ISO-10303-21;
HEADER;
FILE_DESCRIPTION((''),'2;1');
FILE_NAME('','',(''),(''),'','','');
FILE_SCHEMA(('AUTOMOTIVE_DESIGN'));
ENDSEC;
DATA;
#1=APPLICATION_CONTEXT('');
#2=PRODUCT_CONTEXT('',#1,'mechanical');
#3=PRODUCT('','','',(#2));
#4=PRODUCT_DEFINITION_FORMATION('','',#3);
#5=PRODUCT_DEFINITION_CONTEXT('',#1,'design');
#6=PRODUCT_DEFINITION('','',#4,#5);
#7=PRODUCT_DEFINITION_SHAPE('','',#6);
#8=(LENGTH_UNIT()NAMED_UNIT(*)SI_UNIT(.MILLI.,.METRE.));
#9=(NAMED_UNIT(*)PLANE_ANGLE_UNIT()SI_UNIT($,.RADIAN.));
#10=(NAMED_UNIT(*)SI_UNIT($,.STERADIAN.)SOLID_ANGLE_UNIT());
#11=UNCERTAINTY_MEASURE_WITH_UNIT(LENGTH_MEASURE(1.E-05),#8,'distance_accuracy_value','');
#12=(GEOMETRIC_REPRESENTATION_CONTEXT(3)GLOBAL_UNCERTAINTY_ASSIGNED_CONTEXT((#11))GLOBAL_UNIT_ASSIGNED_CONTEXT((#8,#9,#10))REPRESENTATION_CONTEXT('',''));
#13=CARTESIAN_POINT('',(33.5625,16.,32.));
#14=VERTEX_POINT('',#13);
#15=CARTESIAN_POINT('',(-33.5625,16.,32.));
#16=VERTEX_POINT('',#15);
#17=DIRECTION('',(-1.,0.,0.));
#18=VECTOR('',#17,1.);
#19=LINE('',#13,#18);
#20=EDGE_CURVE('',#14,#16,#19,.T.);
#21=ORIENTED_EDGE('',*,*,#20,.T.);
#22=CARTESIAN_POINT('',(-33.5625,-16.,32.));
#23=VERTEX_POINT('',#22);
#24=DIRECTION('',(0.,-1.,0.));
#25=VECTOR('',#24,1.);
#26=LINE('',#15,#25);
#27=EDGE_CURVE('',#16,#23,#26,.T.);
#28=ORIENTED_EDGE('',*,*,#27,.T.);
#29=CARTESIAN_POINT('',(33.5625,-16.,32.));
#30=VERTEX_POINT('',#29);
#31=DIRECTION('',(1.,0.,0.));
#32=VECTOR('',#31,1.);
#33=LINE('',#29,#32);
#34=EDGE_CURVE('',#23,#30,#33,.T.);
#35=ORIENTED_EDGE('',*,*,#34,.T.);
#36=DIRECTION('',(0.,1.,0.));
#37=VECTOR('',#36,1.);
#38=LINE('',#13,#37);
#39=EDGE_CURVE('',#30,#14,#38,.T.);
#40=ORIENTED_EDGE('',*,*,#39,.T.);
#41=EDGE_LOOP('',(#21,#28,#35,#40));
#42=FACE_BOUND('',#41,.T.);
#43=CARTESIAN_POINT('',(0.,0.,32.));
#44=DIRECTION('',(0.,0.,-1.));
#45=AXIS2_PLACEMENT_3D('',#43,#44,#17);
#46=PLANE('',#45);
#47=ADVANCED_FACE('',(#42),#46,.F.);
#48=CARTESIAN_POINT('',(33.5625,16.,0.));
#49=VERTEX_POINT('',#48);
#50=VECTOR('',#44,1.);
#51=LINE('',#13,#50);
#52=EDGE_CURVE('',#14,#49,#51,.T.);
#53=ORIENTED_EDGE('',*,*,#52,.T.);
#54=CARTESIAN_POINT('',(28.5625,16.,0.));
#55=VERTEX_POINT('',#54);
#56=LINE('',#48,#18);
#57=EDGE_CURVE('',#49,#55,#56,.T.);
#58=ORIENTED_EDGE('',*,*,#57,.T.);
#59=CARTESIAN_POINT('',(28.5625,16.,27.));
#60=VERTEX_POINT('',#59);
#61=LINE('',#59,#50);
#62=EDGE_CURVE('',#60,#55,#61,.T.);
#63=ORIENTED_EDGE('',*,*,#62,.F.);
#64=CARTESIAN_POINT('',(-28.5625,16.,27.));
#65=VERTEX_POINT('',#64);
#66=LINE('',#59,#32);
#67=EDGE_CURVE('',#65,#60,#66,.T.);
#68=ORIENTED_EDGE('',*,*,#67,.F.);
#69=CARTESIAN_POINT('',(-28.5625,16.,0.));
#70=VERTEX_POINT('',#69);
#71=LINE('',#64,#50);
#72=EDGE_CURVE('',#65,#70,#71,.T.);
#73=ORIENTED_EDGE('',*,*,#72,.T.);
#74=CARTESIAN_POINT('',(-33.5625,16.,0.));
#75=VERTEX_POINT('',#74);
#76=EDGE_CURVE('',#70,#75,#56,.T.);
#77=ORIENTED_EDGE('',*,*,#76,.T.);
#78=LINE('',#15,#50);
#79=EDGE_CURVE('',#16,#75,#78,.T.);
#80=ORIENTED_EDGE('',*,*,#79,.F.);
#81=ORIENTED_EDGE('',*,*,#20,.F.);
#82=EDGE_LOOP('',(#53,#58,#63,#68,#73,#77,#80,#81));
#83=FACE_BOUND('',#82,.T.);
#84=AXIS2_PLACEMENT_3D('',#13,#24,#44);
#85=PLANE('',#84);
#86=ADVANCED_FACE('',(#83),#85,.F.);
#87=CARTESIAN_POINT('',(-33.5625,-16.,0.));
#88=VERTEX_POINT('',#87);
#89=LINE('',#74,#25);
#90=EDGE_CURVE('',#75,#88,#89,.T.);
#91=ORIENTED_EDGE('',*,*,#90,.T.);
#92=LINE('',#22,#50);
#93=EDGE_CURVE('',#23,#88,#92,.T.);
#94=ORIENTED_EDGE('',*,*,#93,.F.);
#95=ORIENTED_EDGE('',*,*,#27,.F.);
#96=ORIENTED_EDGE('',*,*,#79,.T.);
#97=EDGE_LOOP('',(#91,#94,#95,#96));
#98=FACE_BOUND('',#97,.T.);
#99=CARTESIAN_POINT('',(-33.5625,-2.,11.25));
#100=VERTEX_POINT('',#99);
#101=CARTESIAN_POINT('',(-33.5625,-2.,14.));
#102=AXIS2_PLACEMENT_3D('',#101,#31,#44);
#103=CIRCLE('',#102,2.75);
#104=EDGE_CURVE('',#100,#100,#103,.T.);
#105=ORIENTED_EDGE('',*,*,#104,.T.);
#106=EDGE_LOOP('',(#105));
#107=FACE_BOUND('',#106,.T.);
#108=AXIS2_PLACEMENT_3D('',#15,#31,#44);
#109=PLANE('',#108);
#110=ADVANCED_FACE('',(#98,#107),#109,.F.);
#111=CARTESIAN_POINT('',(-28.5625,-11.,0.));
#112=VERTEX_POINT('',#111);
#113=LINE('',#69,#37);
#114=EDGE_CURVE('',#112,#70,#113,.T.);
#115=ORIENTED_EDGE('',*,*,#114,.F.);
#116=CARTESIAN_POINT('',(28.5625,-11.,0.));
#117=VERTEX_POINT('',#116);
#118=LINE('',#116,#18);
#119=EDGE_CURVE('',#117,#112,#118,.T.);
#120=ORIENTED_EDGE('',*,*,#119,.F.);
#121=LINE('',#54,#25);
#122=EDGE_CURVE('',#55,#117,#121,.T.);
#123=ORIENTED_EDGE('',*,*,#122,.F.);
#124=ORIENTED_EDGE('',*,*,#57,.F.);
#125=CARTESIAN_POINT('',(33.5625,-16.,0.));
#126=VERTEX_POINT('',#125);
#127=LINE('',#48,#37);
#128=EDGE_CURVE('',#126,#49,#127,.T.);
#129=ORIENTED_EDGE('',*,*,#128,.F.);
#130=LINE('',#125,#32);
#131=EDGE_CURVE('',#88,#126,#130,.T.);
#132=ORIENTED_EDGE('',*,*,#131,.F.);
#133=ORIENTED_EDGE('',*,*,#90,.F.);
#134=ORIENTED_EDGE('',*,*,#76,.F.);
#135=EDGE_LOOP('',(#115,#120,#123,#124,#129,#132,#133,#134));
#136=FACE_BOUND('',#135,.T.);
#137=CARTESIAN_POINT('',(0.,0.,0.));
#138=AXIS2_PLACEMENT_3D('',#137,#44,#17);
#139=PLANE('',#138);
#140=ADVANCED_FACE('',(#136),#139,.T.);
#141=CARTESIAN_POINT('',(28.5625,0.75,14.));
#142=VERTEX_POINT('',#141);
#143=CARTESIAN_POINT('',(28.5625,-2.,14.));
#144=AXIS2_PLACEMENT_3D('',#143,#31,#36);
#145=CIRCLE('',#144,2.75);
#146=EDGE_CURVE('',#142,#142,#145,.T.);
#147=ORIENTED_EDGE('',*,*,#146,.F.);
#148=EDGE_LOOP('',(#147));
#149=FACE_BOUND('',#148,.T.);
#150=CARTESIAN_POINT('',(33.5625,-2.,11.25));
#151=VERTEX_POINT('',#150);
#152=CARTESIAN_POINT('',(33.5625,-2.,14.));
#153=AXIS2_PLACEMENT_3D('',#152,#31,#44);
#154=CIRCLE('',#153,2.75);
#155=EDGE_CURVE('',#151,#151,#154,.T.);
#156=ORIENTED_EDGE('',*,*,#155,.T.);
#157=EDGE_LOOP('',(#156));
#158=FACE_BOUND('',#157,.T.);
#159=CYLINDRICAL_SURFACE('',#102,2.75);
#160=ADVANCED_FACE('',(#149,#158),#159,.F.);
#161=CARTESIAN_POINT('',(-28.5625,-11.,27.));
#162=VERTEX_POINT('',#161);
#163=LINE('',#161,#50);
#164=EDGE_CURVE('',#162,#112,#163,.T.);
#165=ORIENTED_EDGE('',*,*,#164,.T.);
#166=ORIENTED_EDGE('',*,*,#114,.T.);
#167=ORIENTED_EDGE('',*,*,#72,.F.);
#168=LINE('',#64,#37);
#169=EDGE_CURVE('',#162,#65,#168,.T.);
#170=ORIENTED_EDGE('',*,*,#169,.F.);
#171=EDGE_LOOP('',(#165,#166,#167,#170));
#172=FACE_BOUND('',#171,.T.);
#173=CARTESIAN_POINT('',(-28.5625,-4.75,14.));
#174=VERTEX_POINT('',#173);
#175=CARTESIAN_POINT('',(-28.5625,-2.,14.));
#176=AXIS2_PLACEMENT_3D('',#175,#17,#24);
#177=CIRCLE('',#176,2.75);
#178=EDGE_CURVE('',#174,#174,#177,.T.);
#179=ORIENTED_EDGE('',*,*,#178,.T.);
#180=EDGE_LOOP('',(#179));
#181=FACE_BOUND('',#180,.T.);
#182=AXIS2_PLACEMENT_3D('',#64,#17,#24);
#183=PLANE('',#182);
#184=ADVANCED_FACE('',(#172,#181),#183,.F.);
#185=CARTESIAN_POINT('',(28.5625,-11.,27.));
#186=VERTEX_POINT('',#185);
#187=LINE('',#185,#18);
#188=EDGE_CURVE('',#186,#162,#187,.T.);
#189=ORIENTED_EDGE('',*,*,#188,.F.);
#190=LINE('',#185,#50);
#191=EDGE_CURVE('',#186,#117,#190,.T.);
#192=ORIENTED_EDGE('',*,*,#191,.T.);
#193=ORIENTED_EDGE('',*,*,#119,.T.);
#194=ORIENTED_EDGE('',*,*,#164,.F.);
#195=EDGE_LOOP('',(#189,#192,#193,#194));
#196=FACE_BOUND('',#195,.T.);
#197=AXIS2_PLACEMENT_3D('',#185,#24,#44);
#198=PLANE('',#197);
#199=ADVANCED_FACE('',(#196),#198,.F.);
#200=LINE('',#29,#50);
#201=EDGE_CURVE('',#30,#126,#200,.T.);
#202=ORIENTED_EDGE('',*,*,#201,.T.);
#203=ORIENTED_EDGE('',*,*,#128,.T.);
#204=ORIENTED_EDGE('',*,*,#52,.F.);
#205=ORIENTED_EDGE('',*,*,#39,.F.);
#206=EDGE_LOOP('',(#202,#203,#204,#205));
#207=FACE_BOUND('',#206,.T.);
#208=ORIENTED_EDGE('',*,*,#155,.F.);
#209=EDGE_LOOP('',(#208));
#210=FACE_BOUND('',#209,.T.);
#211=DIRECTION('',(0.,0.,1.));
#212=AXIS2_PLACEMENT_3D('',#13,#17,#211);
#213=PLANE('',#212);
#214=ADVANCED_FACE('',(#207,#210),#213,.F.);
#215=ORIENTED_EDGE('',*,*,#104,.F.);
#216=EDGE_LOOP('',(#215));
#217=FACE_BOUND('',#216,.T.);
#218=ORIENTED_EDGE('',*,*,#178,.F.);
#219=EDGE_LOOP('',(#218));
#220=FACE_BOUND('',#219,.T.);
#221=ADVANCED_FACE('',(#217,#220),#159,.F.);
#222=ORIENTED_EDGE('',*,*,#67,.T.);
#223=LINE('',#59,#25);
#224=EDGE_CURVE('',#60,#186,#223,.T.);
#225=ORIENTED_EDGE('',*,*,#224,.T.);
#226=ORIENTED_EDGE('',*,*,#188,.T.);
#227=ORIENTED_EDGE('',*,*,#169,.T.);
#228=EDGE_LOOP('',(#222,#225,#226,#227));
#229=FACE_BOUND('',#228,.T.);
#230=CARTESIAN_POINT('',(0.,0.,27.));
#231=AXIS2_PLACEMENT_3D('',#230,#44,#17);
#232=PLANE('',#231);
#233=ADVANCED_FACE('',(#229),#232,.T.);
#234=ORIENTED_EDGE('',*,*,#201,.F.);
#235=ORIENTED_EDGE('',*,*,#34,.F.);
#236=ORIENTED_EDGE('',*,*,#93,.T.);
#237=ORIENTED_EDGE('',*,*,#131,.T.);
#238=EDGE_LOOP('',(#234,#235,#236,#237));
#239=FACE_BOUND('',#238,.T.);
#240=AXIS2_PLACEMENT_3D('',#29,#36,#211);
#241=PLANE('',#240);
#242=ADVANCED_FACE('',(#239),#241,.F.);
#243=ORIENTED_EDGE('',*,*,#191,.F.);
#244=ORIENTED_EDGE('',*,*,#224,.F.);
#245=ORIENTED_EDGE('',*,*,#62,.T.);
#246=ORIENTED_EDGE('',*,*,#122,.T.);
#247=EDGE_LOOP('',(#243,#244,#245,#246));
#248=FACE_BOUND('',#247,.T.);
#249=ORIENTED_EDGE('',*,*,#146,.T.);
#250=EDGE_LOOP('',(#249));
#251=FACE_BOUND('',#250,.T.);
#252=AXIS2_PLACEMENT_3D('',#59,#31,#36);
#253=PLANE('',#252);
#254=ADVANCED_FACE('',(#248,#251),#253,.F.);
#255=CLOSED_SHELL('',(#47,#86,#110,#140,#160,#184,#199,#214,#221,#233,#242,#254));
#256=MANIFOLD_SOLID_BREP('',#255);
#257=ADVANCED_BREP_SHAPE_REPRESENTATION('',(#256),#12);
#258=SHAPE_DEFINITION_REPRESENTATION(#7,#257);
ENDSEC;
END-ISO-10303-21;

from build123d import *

# Parameters (mm, degrees)
SKETCH1_W           = 67.125
SKETCH1_H           = 32
BOSS_EXTRUDE1_DEPTH = 32
SKETCH2_W           = 57.125
SKETCH2_H           = 27
CUT_EXTRUDE1_DEPTH  = 27
SKETCH3_R           = 2.75
CUT_EXTRUDE2_DEPTH  = 77.0642204


with BuildPart() as part:
    # Sketch1 → Boss-Extrude1 (new body)
    with BuildSketch(Plane.XY):
        Rectangle(SKETCH1_W, SKETCH1_H)
    extrude(amount=BOSS_EXTRUDE1_DEPTH)

    # Sketch2 → Cut-Extrude1 (cut)
    with BuildSketch(Plane(origin=(0, 0, 0), x_dir=(-1, 0, 0), z_dir=(0, 0, -1))):
        with Locations((0, 2.5)):
            Rectangle(SKETCH2_W, SKETCH2_H)
    extrude(amount=-CUT_EXTRUDE1_DEPTH, mode=Mode.SUBTRACT)

    # Sketch3 → Cut-Extrude2 (cut, through all)
    with BuildSketch(Plane(origin=(33.5625, 0, 0), x_dir=(0, 0, -1), z_dir=(1, 0, 0))):
        with Locations((-14, -2)):
            Circle(SKETCH3_R)
    extrude(amount=-CUT_EXTRUDE2_DEPTH, mode=Mode.SUBTRACT)


solid = part.part
